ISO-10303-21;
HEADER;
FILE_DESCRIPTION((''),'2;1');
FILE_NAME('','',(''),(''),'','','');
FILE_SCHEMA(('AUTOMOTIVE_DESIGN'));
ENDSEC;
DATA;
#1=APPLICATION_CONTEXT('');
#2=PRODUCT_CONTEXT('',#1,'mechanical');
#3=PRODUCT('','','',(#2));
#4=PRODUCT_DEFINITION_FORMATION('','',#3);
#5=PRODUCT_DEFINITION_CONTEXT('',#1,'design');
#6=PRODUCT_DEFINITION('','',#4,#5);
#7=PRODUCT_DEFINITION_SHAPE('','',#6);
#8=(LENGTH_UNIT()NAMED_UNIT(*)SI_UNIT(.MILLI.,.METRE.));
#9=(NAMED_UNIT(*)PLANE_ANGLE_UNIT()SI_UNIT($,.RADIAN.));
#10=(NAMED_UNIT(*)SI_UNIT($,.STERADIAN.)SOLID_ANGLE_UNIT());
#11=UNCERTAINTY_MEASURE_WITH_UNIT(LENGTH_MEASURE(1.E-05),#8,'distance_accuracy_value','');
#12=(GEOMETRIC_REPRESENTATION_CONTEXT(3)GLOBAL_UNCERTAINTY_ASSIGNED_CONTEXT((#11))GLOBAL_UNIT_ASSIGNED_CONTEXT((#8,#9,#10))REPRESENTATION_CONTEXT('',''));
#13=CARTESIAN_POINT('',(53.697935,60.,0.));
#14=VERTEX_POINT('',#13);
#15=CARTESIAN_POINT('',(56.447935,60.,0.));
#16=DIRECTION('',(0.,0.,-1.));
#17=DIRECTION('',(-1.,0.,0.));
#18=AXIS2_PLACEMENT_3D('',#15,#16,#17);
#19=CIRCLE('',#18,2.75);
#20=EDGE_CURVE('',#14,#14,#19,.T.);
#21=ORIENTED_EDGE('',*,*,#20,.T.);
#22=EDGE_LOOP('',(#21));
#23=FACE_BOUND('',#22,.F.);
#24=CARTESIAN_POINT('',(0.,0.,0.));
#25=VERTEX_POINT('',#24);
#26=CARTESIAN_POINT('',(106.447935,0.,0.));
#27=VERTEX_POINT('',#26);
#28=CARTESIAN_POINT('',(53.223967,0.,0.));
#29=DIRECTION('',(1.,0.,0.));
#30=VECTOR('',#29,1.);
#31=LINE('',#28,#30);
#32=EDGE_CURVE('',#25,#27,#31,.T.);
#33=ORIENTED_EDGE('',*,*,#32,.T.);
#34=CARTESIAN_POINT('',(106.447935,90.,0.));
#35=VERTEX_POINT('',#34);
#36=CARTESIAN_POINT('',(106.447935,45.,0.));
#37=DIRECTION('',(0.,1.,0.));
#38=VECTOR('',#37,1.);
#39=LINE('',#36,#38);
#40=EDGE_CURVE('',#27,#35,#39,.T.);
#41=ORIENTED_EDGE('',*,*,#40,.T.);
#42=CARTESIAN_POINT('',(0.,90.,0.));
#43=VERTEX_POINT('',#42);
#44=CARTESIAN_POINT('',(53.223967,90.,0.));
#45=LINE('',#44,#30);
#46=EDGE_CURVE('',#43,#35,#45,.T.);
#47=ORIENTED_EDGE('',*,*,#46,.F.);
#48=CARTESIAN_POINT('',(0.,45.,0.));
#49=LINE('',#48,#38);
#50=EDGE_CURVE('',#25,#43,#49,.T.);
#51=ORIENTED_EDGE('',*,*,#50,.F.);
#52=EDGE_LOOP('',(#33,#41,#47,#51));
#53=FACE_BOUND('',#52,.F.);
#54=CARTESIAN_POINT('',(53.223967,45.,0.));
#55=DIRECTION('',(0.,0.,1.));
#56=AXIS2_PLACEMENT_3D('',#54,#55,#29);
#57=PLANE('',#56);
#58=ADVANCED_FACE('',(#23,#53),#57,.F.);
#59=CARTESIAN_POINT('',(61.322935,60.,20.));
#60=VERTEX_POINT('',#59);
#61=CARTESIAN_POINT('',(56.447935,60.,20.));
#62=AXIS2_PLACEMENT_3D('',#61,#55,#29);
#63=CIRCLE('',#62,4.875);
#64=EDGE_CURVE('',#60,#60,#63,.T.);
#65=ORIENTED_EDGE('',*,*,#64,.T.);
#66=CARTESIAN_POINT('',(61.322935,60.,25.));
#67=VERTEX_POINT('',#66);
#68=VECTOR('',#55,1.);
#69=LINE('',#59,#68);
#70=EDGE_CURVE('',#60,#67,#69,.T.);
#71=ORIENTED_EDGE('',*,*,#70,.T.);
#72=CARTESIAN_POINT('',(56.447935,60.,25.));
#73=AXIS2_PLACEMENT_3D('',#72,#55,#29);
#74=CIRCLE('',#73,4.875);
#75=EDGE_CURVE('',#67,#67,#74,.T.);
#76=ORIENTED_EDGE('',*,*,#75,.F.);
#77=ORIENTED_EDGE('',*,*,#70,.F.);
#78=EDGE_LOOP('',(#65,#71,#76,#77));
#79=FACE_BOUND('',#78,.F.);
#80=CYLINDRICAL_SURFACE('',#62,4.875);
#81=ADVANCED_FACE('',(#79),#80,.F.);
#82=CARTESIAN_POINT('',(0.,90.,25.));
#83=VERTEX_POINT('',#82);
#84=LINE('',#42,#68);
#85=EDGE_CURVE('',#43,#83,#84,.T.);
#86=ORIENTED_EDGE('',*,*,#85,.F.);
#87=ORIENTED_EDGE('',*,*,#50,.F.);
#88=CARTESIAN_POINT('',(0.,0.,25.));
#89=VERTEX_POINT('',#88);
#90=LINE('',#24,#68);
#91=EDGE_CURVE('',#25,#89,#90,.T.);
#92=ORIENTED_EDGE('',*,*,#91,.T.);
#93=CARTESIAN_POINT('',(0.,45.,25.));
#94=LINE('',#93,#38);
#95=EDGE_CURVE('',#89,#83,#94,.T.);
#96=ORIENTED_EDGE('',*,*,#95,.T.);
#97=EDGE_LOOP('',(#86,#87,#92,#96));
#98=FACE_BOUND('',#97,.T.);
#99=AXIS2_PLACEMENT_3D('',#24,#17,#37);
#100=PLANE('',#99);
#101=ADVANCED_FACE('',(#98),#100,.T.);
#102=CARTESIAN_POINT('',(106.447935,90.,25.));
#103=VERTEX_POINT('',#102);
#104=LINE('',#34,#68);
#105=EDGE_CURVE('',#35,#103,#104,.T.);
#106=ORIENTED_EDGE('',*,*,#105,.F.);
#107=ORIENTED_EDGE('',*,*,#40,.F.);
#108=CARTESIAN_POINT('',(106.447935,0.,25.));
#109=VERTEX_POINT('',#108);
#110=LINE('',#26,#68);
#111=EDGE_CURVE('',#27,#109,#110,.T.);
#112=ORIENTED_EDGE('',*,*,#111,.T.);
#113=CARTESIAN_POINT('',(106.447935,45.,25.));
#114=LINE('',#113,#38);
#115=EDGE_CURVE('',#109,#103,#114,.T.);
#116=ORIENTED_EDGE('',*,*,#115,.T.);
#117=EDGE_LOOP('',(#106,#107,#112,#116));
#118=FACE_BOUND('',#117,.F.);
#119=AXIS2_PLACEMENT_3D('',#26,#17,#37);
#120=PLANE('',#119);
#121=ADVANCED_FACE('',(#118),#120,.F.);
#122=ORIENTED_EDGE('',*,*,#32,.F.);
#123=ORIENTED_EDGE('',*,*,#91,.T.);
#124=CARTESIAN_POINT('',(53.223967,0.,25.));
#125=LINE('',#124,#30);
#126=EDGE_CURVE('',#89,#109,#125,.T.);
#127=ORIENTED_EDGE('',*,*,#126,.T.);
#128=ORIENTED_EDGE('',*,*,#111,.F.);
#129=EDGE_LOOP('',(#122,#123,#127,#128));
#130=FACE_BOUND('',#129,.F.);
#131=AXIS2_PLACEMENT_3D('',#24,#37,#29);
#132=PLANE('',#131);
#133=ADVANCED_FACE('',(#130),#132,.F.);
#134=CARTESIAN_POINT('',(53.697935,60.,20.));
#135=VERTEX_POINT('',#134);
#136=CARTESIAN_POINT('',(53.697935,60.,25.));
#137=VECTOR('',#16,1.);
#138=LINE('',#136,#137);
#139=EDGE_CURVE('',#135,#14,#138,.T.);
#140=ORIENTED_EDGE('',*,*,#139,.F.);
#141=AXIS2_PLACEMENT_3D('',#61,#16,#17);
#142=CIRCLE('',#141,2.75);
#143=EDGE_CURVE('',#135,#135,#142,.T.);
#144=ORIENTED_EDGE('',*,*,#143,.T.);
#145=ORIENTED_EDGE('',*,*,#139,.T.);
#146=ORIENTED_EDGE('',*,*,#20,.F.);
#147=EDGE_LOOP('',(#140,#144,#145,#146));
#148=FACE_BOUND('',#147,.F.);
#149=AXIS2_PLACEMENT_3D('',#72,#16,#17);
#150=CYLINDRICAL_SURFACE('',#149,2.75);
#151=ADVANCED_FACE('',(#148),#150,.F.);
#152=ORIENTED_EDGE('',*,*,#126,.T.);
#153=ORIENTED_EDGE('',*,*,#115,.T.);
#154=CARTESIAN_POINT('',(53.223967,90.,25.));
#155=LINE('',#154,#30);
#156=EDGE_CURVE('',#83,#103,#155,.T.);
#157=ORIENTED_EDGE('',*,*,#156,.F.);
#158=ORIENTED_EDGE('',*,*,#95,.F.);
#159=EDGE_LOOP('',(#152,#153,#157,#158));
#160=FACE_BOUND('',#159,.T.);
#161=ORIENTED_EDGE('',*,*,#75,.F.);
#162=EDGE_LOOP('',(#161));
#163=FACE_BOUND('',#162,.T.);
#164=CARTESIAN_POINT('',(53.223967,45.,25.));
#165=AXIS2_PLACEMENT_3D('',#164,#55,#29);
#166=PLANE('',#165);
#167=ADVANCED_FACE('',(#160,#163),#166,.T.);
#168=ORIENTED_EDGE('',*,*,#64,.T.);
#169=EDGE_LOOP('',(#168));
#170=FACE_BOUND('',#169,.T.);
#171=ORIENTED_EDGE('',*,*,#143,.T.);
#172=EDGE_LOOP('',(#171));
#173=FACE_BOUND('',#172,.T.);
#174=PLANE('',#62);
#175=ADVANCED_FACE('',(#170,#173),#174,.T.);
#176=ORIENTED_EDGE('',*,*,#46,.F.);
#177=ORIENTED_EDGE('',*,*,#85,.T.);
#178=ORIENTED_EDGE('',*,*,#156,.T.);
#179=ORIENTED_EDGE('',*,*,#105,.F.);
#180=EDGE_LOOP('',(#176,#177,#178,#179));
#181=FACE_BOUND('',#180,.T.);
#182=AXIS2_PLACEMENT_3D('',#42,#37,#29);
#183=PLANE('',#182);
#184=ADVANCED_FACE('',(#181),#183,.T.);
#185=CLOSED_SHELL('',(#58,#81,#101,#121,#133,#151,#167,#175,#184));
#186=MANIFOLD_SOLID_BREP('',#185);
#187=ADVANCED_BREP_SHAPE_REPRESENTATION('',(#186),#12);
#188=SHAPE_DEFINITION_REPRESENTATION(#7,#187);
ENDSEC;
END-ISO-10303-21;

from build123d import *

# Parameters (mm, degrees)
F0_W           = 106.4479349901
F0_H           = 90
F1_DEPTH       = 25
F3_D           = 5.5
F3_CBORE_D     = 9.75
F3_CBORE_DEPTH = 5


with BuildPart() as f1:
    # F0 (on Top) → F1 (new body)
    with BuildSketch(Plane.XY):
        with Locations((53.223967495, 45)):
            Rectangle(F0_W, F0_H)
    extrude(amount=F1_DEPTH)

    # F3 (through all)
    with Locations(Plane.XY.offset(25)):
        with Locations((56.4479349901, 60)):
            CounterBoreHole(F3_D / 2, F3_CBORE_D / 2, F3_CBORE_DEPTH)


solid = f1.part
